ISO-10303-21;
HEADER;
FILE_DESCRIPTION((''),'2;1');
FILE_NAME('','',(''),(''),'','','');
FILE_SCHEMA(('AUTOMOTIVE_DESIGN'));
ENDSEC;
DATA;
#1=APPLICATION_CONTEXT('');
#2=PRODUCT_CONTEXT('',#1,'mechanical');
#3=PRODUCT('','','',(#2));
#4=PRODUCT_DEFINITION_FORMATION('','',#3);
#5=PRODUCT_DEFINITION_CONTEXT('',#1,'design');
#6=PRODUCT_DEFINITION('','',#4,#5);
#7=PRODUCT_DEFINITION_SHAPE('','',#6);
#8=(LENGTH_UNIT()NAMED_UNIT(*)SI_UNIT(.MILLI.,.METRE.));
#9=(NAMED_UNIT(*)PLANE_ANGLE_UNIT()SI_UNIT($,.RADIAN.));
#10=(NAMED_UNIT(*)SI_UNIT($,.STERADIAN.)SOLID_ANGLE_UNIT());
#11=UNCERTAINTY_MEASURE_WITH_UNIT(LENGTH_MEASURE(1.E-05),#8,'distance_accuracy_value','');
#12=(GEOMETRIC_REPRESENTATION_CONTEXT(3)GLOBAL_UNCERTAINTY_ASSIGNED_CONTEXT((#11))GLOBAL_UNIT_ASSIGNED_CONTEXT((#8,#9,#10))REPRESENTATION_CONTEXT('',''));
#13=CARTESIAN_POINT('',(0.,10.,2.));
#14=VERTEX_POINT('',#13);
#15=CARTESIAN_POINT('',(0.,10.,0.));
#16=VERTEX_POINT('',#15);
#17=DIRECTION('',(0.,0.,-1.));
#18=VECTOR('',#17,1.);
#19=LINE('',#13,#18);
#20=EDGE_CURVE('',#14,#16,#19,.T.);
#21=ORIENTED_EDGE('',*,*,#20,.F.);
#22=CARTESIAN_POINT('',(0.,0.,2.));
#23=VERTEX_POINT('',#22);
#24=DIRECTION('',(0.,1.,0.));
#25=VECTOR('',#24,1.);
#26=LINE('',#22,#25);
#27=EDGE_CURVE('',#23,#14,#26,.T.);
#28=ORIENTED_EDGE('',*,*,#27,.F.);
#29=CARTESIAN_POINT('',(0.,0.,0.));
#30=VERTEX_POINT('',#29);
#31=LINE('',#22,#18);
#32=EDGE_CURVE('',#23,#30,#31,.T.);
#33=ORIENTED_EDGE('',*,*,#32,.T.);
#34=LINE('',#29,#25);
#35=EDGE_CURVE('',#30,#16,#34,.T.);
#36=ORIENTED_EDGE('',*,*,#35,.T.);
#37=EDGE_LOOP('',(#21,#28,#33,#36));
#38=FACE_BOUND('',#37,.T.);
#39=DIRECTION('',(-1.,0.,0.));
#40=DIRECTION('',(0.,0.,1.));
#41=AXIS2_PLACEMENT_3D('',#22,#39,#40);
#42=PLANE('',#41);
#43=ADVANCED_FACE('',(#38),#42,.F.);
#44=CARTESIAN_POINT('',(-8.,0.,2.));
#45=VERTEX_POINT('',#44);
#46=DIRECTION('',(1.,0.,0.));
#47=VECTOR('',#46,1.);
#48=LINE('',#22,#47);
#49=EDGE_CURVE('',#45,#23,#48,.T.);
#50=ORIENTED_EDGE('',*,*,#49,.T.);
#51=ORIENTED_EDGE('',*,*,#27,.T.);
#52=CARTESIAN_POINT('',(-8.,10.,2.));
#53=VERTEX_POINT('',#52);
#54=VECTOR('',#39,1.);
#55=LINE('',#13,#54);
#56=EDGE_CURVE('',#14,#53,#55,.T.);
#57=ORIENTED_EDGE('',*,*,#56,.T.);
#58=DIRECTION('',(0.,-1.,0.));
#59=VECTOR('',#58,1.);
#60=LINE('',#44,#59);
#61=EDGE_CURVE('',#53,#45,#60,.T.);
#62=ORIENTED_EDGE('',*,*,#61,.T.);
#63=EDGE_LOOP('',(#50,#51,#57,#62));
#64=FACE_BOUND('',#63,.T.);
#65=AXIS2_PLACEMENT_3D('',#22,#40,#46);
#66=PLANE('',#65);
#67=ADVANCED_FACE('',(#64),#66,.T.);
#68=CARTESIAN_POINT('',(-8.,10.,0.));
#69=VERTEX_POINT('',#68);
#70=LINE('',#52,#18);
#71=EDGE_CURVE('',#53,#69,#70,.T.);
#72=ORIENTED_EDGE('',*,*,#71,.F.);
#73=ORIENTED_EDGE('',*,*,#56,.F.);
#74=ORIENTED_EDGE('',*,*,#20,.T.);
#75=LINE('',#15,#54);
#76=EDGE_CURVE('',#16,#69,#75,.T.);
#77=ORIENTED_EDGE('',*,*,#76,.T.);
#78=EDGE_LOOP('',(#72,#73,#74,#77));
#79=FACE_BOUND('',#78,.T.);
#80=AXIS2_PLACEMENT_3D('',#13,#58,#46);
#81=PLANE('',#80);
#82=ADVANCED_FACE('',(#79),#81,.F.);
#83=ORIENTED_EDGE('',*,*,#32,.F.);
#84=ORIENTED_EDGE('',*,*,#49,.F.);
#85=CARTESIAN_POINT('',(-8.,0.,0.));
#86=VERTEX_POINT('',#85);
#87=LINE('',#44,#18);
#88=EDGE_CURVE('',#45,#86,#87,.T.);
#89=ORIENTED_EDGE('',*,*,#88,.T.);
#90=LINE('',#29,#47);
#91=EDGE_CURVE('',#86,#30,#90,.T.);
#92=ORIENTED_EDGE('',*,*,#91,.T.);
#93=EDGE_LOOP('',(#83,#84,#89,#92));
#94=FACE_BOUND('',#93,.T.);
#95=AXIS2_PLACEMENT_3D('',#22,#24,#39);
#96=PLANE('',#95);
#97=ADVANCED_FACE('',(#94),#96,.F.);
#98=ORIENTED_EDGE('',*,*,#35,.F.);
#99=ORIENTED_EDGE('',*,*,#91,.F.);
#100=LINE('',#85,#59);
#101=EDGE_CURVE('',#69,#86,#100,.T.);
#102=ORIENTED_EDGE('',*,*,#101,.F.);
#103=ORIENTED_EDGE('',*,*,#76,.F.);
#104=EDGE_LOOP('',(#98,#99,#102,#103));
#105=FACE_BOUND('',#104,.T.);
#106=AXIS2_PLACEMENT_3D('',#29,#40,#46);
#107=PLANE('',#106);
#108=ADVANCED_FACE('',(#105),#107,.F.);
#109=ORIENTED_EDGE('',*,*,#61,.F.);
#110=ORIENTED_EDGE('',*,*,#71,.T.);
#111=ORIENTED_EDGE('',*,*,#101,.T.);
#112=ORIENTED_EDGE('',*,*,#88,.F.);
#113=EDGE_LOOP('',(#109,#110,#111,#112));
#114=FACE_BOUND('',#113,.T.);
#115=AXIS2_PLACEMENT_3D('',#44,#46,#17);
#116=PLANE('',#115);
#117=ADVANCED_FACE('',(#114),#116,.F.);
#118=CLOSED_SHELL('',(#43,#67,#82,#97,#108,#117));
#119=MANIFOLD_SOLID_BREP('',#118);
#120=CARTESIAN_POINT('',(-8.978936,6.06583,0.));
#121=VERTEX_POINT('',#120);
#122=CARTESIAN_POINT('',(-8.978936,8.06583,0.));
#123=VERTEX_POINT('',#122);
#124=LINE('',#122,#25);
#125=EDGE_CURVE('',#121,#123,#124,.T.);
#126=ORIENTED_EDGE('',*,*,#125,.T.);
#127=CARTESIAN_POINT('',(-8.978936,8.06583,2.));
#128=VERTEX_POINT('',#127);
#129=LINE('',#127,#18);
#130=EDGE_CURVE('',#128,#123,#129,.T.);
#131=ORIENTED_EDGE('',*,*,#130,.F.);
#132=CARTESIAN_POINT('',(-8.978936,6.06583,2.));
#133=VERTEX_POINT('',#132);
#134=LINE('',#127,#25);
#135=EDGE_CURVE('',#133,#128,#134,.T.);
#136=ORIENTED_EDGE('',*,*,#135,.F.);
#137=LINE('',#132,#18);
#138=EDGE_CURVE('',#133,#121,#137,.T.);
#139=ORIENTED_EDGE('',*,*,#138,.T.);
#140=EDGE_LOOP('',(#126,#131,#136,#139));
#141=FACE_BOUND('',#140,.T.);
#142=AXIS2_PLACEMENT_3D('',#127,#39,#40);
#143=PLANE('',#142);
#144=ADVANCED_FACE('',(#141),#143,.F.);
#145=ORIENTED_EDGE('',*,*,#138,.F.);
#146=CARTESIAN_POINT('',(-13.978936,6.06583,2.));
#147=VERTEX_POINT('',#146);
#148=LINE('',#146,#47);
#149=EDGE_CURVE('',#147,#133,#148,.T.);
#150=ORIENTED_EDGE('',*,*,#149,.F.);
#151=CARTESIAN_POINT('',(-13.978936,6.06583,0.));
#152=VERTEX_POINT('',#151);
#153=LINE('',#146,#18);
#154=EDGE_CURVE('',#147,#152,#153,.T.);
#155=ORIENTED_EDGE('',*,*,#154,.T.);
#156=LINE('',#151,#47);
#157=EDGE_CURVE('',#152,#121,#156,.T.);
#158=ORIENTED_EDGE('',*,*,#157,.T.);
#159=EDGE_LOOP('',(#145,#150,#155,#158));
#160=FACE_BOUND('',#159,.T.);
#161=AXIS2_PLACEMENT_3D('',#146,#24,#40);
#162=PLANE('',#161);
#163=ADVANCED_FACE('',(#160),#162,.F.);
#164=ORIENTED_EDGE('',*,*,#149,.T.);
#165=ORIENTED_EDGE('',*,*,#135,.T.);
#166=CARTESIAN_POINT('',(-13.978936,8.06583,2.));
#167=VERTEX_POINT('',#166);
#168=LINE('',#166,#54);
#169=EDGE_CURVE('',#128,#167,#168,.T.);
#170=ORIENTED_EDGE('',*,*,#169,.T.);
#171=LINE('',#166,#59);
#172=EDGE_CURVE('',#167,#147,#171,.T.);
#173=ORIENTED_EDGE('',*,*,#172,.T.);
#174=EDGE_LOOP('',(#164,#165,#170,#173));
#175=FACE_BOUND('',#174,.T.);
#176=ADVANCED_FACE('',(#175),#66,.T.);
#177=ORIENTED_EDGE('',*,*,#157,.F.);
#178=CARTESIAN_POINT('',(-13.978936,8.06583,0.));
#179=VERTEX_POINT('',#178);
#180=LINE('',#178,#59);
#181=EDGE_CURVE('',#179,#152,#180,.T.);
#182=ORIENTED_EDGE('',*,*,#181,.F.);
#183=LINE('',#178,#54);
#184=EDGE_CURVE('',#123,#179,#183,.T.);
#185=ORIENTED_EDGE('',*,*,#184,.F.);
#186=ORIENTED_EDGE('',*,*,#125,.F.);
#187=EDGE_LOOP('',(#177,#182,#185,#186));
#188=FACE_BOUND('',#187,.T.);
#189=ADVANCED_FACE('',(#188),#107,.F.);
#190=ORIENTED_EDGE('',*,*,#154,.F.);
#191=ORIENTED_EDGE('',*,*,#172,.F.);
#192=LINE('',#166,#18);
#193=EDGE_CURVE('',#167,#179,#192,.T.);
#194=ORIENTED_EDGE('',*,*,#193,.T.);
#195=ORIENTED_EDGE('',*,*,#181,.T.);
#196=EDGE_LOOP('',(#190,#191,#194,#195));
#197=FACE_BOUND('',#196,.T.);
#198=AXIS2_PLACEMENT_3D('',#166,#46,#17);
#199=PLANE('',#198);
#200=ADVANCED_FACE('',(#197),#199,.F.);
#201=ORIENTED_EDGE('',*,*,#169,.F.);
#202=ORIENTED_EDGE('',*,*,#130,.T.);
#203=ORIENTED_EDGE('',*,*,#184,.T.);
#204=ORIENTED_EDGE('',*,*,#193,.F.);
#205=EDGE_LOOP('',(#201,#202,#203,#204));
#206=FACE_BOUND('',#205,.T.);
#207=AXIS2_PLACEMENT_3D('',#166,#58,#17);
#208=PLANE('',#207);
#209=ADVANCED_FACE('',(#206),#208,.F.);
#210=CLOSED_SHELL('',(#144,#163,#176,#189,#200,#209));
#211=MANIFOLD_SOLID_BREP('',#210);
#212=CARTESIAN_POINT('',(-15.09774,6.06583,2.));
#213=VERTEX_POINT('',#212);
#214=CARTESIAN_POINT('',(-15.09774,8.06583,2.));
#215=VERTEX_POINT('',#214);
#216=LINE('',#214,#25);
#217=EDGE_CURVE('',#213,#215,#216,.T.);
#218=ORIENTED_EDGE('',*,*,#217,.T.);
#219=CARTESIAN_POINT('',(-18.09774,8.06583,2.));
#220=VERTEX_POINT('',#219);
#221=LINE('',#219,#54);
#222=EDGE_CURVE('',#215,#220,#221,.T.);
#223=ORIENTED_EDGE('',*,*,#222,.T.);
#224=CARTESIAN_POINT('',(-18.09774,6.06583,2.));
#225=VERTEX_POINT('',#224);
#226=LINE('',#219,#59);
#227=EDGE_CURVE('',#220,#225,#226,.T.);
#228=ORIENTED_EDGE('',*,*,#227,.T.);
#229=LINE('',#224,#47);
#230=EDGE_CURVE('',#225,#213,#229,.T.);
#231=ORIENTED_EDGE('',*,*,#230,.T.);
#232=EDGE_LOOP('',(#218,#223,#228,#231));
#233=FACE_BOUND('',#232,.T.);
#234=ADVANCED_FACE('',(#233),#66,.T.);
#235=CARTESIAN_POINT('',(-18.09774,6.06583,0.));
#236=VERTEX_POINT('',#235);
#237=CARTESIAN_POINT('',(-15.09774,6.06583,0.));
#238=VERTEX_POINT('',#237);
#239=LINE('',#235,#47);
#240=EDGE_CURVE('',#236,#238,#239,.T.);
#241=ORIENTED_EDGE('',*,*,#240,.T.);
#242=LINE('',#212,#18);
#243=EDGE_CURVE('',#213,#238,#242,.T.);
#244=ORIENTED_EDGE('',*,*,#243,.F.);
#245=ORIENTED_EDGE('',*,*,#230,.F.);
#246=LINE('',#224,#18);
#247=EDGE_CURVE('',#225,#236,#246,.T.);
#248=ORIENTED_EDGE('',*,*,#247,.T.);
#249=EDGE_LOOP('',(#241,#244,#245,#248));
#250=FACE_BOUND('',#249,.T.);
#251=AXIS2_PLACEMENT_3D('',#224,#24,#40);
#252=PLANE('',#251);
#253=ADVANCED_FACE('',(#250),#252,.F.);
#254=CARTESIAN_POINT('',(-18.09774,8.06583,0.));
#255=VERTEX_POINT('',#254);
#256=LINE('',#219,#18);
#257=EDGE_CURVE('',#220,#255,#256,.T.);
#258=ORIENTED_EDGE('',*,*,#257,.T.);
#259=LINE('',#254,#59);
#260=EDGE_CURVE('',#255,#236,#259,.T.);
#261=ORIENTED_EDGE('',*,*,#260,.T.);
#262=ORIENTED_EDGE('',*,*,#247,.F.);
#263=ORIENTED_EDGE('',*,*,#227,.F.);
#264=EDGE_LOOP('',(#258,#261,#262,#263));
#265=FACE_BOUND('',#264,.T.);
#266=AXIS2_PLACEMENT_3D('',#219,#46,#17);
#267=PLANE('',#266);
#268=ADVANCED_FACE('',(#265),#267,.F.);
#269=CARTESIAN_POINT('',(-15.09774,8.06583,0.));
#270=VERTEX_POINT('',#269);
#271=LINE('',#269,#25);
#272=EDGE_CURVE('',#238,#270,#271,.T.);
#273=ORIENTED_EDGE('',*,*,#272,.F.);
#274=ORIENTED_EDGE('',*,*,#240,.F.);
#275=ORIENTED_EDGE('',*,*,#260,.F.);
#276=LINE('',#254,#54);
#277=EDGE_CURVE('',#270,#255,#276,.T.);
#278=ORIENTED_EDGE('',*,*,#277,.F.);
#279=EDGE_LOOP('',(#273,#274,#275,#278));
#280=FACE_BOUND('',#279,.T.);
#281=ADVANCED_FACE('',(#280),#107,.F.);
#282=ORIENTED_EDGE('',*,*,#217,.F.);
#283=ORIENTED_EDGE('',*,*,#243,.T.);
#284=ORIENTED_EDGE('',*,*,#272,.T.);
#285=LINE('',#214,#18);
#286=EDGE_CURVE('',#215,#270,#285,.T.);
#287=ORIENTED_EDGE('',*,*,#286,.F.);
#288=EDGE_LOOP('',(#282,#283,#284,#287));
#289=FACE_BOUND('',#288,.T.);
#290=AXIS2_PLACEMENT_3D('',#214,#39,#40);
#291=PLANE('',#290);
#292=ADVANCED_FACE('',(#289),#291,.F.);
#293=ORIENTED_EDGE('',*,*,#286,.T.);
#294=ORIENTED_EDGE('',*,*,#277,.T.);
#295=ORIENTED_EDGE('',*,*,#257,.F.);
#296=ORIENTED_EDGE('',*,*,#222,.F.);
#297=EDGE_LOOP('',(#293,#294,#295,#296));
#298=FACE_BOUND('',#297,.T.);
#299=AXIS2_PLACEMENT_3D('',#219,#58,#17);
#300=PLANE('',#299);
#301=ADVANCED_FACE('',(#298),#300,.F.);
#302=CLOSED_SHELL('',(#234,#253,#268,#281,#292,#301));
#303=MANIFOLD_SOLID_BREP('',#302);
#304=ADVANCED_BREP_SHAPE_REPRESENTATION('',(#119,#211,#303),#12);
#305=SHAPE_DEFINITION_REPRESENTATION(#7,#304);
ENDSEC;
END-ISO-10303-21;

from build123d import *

# Parameters (mm, degrees)
SKETCH1_W             = 8
SKETCH1_H             = 10
BOSS_EXTRUDE1_DEPTH   = 2
SKETCH1_W_2           = 5
SKETCH1_H_2           = 2
BOSS_EXTRUDE1_2_DEPTH = 2
SKETCH1_W_3           = 3
BOSS_EXTRUDE1_3_DEPTH = 2


with BuildPart() as part:
    # Sketch1 → Boss-Extrude1 (new body)
    with BuildSketch(Plane.XY):
        with Locations((-4, 5)):
            Rectangle(SKETCH1_W, SKETCH1_H)
    extrude(amount=BOSS_EXTRUDE1_DEPTH)


with BuildPart() as body_2:
    # Sketch1 → Boss-Extrude1 2 (new body)
    with BuildSketch(Plane.XY):
        with Locations((-11.478935941, 7.065830111)):
            Rectangle(SKETCH1_W_2, SKETCH1_H_2)
    extrude(amount=BOSS_EXTRUDE1_2_DEPTH)


with BuildPart() as body_3:
    # Sketch1 → Boss-Extrude1 3 (new body)
    with BuildSketch(Plane.XY):
        with Locations((-16.597740179, 7.065830111)):
            Rectangle(SKETCH1_W_3, SKETCH1_H_2)
    extrude(amount=BOSS_EXTRUDE1_3_DEPTH)


solid = Compound([part.part, body_2.part, body_3.part])
